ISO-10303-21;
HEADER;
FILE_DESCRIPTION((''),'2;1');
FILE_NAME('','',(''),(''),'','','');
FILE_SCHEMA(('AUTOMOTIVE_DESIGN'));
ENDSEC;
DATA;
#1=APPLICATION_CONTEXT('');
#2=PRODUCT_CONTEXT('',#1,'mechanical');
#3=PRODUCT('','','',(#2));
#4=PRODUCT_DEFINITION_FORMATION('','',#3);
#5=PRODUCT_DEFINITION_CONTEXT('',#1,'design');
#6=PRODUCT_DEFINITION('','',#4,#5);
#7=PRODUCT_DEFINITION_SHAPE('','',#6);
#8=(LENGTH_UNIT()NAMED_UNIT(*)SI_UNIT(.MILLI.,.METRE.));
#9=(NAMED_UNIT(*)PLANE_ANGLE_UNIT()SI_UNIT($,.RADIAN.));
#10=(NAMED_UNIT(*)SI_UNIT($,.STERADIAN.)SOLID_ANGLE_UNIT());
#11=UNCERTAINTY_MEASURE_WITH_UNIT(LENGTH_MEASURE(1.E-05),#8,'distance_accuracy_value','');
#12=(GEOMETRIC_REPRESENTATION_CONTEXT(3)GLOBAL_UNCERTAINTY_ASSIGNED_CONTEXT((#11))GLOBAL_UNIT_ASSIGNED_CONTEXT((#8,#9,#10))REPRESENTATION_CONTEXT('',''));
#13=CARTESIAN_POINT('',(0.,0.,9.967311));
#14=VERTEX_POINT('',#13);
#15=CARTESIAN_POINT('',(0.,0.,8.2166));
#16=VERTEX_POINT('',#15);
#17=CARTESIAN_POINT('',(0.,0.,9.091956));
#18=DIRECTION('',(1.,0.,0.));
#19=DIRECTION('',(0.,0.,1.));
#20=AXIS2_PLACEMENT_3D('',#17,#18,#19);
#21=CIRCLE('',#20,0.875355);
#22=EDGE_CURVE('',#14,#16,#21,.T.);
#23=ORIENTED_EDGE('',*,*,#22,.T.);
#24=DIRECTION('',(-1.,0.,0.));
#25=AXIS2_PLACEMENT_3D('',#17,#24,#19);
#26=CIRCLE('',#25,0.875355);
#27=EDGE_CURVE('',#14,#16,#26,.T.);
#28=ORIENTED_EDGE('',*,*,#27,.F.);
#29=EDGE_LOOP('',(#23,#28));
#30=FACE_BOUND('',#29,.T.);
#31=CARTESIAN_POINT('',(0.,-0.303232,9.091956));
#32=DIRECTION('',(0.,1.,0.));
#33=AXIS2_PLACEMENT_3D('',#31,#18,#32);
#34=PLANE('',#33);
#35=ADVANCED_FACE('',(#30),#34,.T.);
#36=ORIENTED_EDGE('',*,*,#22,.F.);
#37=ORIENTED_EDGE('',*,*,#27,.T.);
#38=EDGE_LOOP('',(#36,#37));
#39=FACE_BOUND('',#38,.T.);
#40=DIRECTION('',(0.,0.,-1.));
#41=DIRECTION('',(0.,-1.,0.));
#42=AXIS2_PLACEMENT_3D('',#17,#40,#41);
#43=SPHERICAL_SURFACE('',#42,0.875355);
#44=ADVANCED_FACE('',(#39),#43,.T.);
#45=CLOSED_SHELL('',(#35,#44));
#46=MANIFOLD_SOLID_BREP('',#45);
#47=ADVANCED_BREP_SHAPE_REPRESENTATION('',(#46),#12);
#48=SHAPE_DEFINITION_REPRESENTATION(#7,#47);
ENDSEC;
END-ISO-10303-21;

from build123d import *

# Parameters (mm, degrees)
F1_ANGLE_BACK = 90
F1_ANGLE      = 180


with BuildPart() as f1:
    # F0 (on Front) → F1 (revolve)
    with BuildSketch(Plane.XZ, mode=Mode.PRIVATE) as f1_sk:
        with BuildLine():
            Line((0, 8.216600339), (0, 9.9673108802))
            ThreePointArc((0, 9.9673108802), (-0.8753552706, 9.0919556096), (0, 8.216600339))
        make_face()
    revolve(f1_sk.sketch.rotate(Axis((0, 0, 9.0919556096), (0, 0, -1)), -F1_ANGLE_BACK), axis=Axis((0, 0, 9.0919556096), (0, 0, -1)), revolution_arc=F1_ANGLE)


solid = f1.part
